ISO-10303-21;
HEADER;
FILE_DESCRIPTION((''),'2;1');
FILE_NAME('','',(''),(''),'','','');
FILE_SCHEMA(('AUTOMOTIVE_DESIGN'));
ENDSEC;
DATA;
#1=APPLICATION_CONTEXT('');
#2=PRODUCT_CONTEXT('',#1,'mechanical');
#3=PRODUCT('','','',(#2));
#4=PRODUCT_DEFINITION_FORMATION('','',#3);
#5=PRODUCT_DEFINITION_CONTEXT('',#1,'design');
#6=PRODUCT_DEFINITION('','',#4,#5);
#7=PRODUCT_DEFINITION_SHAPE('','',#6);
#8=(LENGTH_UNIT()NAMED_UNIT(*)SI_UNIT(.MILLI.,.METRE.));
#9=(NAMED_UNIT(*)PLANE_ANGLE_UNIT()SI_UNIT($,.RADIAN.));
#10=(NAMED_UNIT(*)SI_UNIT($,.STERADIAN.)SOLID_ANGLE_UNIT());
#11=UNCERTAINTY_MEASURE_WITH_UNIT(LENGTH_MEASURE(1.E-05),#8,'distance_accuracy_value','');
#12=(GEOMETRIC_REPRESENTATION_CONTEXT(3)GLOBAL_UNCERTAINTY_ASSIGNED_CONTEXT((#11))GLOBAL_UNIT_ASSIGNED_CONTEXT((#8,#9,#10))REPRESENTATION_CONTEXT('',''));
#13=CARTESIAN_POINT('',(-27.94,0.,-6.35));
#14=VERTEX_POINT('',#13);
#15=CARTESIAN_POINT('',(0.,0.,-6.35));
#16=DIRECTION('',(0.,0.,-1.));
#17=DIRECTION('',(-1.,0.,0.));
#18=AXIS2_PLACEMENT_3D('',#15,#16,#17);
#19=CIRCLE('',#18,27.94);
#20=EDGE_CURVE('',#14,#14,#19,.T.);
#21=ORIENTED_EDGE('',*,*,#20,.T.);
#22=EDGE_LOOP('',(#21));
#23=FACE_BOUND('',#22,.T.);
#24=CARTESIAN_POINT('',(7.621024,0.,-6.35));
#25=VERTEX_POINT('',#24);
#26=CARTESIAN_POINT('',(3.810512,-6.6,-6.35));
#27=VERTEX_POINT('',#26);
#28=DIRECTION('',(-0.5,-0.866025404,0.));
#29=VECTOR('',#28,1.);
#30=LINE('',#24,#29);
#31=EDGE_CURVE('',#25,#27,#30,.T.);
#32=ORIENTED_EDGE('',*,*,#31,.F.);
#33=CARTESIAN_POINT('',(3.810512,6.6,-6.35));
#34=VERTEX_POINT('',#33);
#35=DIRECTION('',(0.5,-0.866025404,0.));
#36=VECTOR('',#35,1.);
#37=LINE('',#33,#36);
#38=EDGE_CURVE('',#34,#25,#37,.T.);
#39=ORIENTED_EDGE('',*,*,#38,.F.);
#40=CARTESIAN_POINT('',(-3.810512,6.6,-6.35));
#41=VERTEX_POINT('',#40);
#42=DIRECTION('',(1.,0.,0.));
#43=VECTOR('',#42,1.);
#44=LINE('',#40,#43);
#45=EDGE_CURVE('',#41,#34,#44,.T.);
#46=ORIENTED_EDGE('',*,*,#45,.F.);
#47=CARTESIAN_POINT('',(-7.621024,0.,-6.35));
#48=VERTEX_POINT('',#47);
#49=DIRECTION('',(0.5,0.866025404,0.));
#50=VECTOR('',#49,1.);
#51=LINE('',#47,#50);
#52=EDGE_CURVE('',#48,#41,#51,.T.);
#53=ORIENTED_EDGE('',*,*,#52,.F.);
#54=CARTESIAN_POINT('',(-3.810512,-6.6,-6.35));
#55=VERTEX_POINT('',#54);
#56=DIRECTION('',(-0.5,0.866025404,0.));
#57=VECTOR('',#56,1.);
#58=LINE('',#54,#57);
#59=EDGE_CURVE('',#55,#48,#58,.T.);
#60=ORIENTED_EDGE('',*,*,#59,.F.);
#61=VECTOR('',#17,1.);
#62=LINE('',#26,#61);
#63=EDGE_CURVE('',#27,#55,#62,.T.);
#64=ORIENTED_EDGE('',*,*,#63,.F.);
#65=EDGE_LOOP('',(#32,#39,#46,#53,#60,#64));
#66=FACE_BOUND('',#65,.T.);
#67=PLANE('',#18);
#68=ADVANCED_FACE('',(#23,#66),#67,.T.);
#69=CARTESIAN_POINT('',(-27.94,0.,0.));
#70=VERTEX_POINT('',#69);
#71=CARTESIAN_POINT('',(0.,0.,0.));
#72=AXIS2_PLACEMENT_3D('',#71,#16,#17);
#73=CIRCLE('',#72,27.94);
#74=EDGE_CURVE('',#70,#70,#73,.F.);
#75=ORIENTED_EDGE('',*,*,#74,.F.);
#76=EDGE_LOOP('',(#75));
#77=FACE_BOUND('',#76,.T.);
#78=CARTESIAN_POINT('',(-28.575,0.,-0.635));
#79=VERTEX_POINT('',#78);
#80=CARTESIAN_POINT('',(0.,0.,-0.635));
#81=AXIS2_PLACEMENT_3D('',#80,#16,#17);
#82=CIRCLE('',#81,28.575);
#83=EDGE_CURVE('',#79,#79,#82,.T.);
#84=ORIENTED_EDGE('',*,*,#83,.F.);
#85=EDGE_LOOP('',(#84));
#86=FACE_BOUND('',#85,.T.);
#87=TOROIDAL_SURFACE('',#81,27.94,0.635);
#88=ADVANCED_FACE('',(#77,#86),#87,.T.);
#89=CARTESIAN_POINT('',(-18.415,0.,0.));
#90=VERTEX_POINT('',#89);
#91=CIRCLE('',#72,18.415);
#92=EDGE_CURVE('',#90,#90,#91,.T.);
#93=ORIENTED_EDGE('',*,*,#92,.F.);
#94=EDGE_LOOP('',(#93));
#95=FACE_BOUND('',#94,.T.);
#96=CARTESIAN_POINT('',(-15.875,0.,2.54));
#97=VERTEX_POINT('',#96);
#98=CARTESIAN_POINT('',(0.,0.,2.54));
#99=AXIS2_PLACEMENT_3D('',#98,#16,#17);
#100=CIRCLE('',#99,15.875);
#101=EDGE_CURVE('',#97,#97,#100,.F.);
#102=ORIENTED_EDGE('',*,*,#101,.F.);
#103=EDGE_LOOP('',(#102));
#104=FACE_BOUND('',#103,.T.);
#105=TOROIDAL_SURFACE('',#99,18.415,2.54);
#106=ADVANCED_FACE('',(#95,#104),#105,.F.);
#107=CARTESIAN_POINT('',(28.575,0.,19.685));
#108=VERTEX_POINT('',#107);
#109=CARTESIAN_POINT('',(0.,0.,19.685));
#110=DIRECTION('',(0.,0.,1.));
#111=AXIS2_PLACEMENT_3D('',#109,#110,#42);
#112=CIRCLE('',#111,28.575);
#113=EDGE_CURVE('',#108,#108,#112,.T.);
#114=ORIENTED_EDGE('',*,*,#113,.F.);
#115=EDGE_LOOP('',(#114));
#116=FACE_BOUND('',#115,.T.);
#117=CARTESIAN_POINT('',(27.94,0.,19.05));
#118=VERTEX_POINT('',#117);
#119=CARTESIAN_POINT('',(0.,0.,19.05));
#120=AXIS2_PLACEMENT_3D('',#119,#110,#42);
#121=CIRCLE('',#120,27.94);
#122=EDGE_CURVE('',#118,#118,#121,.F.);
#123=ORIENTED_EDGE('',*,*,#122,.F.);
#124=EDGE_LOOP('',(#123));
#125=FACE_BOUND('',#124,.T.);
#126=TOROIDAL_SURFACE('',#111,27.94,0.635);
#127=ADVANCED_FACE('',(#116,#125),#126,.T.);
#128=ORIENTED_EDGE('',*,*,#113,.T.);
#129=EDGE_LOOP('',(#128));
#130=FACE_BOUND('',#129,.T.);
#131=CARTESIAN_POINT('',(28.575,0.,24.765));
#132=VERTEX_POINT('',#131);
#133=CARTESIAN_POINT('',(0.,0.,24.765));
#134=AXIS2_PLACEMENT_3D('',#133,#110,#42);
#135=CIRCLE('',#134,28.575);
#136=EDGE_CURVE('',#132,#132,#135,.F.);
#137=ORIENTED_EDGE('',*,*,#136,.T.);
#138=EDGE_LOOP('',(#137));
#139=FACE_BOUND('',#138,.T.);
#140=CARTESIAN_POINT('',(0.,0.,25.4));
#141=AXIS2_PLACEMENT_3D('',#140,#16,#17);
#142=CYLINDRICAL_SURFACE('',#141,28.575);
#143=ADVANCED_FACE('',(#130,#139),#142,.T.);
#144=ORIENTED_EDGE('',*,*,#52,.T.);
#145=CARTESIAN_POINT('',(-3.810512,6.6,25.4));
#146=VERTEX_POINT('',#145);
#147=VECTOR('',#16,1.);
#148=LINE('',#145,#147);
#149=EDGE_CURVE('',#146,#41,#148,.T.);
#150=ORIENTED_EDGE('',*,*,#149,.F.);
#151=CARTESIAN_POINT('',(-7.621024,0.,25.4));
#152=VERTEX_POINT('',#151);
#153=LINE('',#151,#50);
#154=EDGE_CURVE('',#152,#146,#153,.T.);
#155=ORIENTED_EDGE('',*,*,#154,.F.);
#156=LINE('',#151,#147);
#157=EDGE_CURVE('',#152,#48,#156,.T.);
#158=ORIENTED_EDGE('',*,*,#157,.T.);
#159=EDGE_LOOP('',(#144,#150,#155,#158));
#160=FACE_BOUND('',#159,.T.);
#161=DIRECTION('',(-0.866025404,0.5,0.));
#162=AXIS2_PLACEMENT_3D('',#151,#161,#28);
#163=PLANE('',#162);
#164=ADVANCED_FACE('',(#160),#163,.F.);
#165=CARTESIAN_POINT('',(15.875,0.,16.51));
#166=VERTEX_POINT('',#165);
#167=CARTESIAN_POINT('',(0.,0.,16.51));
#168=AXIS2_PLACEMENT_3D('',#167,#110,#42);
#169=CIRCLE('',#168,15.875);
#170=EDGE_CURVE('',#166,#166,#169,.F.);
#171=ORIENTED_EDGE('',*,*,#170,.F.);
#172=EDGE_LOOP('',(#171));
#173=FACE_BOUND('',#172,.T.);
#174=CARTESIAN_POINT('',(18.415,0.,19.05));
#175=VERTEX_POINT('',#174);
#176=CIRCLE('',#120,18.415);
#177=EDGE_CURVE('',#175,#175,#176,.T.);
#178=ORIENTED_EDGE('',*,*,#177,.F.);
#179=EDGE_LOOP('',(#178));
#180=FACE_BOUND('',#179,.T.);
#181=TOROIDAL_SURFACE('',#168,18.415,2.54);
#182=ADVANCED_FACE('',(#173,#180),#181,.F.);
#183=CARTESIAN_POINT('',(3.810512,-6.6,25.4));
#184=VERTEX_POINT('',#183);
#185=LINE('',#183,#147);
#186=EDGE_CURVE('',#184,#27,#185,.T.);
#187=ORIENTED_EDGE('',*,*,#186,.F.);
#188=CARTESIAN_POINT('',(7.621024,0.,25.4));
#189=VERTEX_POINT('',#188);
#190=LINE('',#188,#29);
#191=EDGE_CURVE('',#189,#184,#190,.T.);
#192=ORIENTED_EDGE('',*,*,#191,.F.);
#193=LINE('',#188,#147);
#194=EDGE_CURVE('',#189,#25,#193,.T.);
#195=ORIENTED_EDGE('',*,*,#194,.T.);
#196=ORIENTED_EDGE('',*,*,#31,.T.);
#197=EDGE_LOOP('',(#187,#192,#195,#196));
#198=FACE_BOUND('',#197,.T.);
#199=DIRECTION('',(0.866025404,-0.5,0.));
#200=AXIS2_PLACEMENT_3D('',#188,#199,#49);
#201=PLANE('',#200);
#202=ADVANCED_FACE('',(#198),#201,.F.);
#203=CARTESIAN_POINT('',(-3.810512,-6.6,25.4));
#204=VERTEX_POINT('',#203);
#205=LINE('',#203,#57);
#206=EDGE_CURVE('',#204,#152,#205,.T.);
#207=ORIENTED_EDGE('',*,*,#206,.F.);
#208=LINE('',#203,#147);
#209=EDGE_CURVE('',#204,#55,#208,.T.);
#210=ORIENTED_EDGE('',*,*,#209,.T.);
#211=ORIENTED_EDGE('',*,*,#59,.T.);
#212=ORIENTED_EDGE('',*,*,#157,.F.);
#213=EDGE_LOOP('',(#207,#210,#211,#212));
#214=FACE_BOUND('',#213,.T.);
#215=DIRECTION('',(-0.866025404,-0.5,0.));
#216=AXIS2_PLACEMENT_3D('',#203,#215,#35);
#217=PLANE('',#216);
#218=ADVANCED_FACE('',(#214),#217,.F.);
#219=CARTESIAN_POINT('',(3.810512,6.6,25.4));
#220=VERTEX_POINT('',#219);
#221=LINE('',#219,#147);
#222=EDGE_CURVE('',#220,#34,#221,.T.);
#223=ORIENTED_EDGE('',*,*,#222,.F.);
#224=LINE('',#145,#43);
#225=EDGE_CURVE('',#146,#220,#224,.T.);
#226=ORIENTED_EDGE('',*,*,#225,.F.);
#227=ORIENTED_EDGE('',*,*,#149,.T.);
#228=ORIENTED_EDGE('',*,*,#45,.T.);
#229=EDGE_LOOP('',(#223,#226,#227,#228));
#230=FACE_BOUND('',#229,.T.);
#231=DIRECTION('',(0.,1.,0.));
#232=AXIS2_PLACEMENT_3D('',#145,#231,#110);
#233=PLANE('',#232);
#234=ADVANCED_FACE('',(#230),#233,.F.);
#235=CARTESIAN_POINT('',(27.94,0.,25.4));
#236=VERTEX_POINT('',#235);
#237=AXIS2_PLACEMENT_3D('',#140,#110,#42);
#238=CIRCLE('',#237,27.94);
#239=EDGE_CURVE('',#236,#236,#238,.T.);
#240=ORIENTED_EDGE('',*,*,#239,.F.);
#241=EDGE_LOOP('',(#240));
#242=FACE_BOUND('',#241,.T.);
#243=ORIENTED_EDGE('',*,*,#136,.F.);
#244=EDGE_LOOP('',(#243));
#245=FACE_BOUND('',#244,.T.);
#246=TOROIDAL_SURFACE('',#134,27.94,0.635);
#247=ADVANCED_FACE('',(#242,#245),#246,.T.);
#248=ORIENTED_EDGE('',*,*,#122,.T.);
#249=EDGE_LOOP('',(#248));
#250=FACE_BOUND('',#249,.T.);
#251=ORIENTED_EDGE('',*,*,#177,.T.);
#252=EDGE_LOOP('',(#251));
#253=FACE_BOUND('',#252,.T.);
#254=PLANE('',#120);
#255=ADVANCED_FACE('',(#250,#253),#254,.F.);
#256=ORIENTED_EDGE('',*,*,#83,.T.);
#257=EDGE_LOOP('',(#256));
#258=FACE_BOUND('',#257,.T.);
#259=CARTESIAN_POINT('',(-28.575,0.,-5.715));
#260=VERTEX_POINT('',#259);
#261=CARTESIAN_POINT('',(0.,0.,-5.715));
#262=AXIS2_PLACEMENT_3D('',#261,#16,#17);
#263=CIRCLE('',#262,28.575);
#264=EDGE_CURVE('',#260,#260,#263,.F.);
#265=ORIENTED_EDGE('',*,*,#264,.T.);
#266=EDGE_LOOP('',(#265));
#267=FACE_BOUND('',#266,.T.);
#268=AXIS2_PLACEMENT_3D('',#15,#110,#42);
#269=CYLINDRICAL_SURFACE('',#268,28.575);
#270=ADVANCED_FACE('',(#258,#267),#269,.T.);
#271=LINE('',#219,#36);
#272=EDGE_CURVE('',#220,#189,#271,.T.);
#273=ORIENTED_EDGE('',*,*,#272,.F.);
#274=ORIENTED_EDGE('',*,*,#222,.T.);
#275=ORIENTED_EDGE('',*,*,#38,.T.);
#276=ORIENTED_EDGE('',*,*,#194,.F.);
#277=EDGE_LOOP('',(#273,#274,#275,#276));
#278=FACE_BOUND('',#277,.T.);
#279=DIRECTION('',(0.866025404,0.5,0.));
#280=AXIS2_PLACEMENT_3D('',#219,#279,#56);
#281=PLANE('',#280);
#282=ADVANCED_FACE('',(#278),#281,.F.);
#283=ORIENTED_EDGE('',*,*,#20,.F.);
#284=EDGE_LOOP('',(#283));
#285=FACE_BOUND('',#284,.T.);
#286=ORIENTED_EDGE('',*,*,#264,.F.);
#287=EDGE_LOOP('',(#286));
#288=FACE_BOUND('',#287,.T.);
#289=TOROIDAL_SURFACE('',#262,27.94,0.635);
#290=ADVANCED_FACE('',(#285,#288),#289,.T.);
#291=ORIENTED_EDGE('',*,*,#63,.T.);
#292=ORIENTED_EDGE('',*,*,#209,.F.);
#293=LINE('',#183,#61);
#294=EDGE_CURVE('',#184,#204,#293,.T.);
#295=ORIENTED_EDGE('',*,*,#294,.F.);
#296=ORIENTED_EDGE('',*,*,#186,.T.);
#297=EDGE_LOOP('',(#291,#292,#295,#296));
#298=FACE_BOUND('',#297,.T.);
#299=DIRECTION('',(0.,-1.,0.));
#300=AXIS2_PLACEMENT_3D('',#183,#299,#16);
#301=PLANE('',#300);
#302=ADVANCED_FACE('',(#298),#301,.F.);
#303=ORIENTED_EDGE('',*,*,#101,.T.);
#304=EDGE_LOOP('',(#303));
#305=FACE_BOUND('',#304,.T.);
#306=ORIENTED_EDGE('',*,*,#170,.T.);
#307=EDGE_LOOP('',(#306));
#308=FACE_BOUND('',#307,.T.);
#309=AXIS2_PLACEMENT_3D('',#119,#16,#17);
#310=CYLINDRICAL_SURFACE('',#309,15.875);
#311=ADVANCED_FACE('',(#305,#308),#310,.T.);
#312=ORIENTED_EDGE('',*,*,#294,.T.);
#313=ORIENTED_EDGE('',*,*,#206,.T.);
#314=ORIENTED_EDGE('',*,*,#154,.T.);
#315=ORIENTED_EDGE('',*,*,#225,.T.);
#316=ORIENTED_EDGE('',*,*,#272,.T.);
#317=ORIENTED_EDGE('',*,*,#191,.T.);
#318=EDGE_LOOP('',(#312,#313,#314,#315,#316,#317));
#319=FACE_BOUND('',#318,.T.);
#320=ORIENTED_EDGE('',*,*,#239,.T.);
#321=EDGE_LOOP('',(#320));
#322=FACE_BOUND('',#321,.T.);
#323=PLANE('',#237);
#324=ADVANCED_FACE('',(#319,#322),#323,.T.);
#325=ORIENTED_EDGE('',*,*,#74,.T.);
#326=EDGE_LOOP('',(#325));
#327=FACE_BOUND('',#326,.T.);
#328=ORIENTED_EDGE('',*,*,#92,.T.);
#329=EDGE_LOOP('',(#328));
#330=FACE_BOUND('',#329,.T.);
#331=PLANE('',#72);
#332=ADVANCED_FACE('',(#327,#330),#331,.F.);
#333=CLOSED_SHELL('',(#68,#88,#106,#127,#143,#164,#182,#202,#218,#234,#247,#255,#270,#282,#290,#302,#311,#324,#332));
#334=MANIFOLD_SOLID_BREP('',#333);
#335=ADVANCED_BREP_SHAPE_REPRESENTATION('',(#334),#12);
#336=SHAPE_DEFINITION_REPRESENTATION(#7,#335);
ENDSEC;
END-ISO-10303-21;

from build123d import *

# Parameters (mm, degrees)
SKETCH1_R           = 15.875
BOSS_EXTRUDE1_DEPTH = 19.05
SKETCH2_R           = 28.575
BOSS_EXTRUDE2_DEPTH = 6.35
SKETCH3_R           = 28.575
BOSS_EXTRUDE3_DEPTH = 6.35
CUT_EXTRUDE1_DEPTH  = 32.75
FILLET1_R           = 2.54
FILLET2_R           = 0.635


with BuildPart() as part:
    # Sketch1 → Boss-Extrude1 (new body)
    with BuildSketch(Plane.XY):
        Circle(SKETCH1_R)
    extrude(amount=BOSS_EXTRUDE1_DEPTH)

    # Sketch2 → Boss-Extrude2 (add)
    with BuildSketch(Plane.XY.offset(19.05)):
        Circle(SKETCH2_R)
    extrude(amount=BOSS_EXTRUDE2_DEPTH)

    # Sketch3 → Boss-Extrude3 (add)
    with BuildSketch(Plane(origin=(0, 0, 0), x_dir=(-1, 0, 0), z_dir=(0, 0, -1))):
        Circle(SKETCH3_R)
    extrude(amount=BOSS_EXTRUDE3_DEPTH)

    # Sketch4 → Cut-Extrude1 (cut, through all)
    with BuildSketch(Plane(origin=(0, 0, -6.35), x_dir=(-1, 0, 0), z_dir=(0, 0, -1))):
        Polygon((7.621023553, 0), (3.810511777, 6.6), (-3.810511777, 6.6), (-7.621023553, 0), (-3.810511777, -6.6), (3.810511777, -6.6), align=None)
    extrude(amount=-CUT_EXTRUDE1_DEPTH, mode=Mode.SUBTRACT)

    # Fillet1
    fillet1_edges = [part.edges().sort_by_distance(p)[0] for p in [
        (-15.875, 0, 19.05),
        (-15.875, 0, 0),
    ]]
    fillet(fillet1_edges, radius=FILLET1_R)

    # Fillet2
    fillet2_edges = [part.edges().sort_by_distance(p)[0] for p in [
        (28.575, 0, -6.35),
        (-28.575, 0, 19.05),
        (-28.575, 0, 25.4),
        (28.575, 0, 0),
    ]]
    fillet(fillet2_edges, radius=FILLET2_R)


solid = part.part
